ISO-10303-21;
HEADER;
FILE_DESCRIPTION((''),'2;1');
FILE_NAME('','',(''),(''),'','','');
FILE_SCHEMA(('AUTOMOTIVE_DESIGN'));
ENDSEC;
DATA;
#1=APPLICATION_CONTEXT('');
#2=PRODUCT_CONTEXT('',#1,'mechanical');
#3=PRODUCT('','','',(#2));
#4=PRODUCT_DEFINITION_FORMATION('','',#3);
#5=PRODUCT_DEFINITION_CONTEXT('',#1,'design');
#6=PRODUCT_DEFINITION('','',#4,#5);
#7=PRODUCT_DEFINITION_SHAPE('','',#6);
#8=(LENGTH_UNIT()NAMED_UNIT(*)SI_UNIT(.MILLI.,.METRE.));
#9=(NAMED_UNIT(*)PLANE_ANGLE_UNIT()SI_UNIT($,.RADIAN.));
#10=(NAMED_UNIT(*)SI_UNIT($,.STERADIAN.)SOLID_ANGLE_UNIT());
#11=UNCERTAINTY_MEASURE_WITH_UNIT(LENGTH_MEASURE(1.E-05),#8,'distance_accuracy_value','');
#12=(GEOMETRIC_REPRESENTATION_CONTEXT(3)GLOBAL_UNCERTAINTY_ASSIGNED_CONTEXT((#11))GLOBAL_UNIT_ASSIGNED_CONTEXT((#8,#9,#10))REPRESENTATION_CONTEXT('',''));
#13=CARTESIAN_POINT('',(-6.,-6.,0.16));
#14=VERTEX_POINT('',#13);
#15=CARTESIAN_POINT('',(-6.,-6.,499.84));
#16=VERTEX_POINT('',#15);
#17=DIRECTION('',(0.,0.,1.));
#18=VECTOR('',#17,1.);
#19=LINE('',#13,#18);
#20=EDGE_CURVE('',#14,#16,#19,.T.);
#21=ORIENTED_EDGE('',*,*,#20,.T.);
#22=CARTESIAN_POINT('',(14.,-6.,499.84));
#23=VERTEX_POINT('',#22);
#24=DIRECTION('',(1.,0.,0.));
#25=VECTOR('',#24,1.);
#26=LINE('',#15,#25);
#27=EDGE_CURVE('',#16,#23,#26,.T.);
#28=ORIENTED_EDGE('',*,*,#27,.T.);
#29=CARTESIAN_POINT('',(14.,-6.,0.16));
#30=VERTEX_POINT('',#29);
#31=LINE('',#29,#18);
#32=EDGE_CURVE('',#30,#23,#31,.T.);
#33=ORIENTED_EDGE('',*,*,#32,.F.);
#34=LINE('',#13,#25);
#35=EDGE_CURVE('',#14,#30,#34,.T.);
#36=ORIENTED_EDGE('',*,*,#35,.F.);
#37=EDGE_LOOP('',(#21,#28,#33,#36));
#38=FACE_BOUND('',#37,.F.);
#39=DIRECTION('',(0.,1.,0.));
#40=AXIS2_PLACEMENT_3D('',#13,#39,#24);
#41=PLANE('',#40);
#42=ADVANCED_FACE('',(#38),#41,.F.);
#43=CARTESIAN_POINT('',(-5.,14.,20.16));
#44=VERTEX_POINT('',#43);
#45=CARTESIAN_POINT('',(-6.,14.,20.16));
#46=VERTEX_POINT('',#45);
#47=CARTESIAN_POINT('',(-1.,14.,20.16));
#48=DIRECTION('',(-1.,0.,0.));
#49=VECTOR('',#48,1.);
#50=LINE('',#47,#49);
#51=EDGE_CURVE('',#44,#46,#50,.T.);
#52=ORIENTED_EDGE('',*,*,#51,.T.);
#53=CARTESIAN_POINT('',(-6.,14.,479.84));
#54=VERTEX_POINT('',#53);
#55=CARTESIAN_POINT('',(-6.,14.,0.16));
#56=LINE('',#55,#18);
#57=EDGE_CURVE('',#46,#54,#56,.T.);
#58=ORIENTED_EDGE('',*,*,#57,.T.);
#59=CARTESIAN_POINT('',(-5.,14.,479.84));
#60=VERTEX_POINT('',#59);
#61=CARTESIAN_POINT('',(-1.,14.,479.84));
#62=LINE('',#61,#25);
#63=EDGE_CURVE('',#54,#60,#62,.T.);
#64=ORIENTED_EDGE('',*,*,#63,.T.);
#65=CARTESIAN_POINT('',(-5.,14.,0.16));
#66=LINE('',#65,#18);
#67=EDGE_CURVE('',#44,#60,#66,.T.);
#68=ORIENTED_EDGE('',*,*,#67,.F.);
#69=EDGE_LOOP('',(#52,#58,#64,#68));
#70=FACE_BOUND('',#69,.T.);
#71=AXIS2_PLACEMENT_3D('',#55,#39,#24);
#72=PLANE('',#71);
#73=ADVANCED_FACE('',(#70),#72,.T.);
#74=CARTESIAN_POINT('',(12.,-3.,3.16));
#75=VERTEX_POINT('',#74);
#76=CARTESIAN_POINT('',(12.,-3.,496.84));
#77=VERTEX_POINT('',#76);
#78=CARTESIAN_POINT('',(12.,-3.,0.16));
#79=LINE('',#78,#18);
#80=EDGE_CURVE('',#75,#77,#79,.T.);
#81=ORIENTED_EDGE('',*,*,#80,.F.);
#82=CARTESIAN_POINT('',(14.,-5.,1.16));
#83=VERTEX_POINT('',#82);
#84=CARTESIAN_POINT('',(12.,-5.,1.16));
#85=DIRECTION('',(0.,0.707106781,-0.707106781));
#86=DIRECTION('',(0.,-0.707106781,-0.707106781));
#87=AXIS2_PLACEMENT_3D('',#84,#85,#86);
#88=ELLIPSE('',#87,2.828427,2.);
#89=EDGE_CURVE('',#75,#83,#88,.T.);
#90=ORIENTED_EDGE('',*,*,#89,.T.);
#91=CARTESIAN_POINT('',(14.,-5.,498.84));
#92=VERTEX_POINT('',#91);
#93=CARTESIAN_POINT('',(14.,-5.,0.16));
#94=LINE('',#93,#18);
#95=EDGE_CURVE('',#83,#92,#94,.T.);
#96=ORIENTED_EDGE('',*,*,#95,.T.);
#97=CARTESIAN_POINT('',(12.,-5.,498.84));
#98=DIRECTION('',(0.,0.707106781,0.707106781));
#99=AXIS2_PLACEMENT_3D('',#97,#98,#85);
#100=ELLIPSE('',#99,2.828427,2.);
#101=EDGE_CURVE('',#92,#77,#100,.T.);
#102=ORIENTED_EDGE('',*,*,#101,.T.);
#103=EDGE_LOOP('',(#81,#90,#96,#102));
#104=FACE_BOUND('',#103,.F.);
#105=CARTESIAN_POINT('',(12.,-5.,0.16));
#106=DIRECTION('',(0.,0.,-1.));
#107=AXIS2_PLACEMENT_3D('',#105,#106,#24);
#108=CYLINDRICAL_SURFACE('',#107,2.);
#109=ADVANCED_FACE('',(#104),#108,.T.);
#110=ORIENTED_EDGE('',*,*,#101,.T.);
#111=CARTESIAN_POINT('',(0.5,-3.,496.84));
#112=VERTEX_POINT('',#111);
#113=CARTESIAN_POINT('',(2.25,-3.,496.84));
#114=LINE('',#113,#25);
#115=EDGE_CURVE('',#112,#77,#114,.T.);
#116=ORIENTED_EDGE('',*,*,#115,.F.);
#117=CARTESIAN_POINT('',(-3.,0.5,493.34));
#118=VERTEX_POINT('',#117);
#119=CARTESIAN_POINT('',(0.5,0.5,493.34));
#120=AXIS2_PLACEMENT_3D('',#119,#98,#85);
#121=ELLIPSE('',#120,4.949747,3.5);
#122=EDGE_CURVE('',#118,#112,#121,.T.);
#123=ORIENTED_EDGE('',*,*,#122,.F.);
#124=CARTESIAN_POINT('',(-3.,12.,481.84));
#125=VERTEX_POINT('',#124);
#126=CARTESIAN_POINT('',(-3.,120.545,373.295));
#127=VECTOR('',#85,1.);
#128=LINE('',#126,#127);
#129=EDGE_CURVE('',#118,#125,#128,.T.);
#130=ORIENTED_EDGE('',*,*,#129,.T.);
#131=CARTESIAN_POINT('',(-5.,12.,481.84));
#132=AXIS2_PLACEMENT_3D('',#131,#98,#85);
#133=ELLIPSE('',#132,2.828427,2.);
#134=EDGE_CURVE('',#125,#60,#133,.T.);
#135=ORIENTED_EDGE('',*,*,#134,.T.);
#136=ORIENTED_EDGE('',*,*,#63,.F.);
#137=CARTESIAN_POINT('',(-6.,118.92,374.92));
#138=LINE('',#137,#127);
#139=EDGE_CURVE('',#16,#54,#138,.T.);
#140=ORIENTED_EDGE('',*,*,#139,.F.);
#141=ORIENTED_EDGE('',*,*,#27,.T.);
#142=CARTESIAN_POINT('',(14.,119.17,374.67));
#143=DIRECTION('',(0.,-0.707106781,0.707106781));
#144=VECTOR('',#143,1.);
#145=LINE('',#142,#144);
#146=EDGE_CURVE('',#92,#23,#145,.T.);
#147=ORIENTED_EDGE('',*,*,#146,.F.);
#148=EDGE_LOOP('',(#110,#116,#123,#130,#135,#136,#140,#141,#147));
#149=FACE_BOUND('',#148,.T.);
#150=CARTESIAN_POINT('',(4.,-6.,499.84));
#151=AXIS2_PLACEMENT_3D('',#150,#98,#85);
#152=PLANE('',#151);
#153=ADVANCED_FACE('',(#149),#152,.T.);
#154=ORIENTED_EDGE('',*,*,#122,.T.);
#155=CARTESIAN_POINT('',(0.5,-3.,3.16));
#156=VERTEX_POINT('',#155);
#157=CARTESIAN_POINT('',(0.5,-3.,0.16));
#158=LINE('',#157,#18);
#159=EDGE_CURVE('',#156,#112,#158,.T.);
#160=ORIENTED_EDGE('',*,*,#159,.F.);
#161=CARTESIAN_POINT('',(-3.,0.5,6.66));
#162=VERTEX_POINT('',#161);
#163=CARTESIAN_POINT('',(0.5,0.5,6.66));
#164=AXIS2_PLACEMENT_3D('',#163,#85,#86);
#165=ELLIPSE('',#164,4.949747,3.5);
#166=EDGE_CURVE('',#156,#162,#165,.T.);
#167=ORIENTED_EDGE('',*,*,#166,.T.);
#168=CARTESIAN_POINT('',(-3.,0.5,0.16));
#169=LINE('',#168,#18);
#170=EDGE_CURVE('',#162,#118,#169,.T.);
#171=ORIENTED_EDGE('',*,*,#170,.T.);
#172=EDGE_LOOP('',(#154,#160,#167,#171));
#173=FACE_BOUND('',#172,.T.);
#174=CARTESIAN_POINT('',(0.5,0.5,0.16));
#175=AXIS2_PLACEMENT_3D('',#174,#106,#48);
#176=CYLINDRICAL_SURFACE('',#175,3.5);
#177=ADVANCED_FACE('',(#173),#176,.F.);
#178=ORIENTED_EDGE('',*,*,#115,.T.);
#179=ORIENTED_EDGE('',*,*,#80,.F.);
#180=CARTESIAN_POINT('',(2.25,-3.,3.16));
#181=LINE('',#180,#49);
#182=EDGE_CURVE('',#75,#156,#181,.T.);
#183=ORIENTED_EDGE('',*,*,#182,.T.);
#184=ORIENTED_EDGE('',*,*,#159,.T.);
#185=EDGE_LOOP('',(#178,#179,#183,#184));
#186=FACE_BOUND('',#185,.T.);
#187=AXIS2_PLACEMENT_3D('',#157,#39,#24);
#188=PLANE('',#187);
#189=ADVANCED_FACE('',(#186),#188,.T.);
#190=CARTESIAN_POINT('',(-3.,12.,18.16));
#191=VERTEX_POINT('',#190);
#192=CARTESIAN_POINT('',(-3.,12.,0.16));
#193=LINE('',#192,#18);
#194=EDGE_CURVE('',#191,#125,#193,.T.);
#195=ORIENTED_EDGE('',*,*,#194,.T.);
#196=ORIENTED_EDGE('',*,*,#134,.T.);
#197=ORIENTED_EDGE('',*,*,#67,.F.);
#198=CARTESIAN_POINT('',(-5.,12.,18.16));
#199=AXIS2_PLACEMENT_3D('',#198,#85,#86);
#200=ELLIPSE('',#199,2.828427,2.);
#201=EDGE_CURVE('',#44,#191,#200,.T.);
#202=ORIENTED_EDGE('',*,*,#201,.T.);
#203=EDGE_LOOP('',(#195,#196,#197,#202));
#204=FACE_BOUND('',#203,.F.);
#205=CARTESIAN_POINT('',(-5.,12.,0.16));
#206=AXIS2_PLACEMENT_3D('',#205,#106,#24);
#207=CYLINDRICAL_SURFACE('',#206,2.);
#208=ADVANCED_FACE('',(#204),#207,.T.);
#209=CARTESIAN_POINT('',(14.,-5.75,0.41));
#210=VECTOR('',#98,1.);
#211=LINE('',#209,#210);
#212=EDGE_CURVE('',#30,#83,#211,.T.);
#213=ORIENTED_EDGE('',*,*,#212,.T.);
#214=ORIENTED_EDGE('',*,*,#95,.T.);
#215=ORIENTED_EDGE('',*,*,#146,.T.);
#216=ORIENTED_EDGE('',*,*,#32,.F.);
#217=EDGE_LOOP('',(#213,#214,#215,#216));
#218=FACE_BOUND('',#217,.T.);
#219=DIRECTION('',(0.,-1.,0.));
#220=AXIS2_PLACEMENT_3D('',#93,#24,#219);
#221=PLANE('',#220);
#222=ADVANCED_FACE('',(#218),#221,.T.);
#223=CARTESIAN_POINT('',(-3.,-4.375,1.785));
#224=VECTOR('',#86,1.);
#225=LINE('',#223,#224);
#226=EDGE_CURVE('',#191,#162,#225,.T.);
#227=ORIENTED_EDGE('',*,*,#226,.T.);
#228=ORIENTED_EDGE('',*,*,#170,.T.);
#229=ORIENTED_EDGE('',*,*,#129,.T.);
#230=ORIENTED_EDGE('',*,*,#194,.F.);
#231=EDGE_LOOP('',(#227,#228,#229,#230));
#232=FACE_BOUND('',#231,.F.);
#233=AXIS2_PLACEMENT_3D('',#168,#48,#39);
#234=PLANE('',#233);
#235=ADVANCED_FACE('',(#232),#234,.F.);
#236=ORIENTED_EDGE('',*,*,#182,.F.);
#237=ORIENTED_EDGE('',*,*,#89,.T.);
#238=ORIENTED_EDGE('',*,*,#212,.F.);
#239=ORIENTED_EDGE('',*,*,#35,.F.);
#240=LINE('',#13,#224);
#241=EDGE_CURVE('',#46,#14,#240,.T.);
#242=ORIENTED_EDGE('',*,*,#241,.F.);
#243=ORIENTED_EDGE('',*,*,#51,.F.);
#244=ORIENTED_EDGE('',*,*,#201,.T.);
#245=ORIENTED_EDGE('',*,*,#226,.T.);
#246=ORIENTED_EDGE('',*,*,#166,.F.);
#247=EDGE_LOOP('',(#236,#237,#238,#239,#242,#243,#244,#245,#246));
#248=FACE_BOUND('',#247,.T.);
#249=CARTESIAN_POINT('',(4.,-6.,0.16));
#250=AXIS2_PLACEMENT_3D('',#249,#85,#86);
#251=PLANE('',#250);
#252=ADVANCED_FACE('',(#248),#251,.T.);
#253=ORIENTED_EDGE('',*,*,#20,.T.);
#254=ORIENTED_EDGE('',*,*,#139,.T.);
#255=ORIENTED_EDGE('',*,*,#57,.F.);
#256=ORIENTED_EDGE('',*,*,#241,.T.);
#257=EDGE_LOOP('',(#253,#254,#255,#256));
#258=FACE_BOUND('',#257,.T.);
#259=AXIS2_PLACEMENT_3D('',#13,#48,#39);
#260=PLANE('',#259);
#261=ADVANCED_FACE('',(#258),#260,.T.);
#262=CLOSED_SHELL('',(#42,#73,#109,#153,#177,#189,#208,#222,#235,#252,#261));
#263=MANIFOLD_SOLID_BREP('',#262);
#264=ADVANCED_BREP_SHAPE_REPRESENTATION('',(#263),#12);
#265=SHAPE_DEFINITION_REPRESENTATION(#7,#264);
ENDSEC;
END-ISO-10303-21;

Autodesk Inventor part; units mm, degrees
ref_plane "Start plane" through (0, 0, 0.16) normal (0, 0, 1) x (1, 0, 0)
ref_plane "End plane" through (0, 0, 499.84) normal (0, 0, 1) x (1, 0, 0)
sketch "Sketch" plane through (0, 0, 0) normal (0, 0, 1) x (1, 0, 0)
  line L0 (-3, 0.5) -> (-3, 12)
  line L1 (-6, 14) -> (-5, 14)
  line L2 (-6, -6) -> (-6, 14)
  line L3 (-6, -6) -> (14, -6)
  line L4 (14, -5) -> (14, -6)
  line L5 (0.5, -3) -> (12, -3)
  arc A0 (-3, 0.5) -> (0.5, -3) centre (0.5, 0.5) ccw
  arc A1 (-3, 12) -> (-5, 14) centre (-5, 12) ccw
  arc A2 (14, -5) -> (12, -3) centre (12, -5) ccw
  line L6 (0, 18.4971) -> (0, -10.0828) construction
  line L7 (-10.0828, 0) -> (18.4971, 0) construction
  point P0 (-3, -3)
  point P1 (-3, 14)
  point P2 (14, -3)
  dimension "d4" = 20
  dimension "d6" = 20
  dimension "d8" = 3
  dimension "d10" = 3
  dimension "d17" = 3.5
  dimension "d18" = 2
  dimension "d19" = 6
  dimension "d20" = 6
extrude "Body" add sketch "Sketch" along normal up to surface (499.68 mm away) from surface at 0.16
sketch "Sketch3" plane through (0, 0, 0) normal (0, 0, 1) x (1, 0, 0)
  line L0 (0, 0) -> (10, 0)
ref_plane "Work Plane10" through (0, 0, 0) normal (0, -1, 0) x (1, 0, 0)
sketch "Sketch4" plane through (0, 0, 0) normal (0, -1, 0) x (1, 0, 0)
  line L0 (-2, 0.16) -> (12, 0.16)
  line L1 (-2, 499.84) -> (12, 499.84)
  dimension "d24" = 499.68
ref_plane "Work Plane11" through (4, -6, 0.16) normal (0, 0.7071, -0.7071) x (1, 0, 0)
split "Split1" plane through (4, -6, 0.16) removes the side toward (0, 0.7071, -0.7071)
ref_plane "Work Plane12" through (4, -6, 499.84) normal (0, 0.7071, 0.7071) x (1, 0, 0)
split "Split2" plane through (4, -6, 499.84) removes the side toward (0, 0.7071, 0.7071)
equation "\"d4\" = b"
equation "\"d6\" = b"
equation "\"d8\" = ParT"
equation "\"d10\" = ParT"
equation "\"d17\" = R"
equation "\"d18\" = R1"
equation "\"d19\" = ex"
equation "\"d20\" = d19"
equation "\"d11\" = G_L"
equation "\"b\" = 20"
equation "\"ParT\" = 3"
equation "\"R\" = 3.5"
equation "\"R1\" = 2"
equation "\"G_L\" = d24"
equation "\"ex\" = 6"
equation "\"G_OFFSET_START\" = -0.16"
equation "\"G_OFFSET_END\" = -0.16"
equation "\"d21\" = -G_OFFSET_START"
equation "\"d22\" = G_OFFSET_END + B_L"
equation "\"B_L\" = 500"
properties part number "ISO 657-1 - L20x20x3-499.68" material "Stainless Steel"
